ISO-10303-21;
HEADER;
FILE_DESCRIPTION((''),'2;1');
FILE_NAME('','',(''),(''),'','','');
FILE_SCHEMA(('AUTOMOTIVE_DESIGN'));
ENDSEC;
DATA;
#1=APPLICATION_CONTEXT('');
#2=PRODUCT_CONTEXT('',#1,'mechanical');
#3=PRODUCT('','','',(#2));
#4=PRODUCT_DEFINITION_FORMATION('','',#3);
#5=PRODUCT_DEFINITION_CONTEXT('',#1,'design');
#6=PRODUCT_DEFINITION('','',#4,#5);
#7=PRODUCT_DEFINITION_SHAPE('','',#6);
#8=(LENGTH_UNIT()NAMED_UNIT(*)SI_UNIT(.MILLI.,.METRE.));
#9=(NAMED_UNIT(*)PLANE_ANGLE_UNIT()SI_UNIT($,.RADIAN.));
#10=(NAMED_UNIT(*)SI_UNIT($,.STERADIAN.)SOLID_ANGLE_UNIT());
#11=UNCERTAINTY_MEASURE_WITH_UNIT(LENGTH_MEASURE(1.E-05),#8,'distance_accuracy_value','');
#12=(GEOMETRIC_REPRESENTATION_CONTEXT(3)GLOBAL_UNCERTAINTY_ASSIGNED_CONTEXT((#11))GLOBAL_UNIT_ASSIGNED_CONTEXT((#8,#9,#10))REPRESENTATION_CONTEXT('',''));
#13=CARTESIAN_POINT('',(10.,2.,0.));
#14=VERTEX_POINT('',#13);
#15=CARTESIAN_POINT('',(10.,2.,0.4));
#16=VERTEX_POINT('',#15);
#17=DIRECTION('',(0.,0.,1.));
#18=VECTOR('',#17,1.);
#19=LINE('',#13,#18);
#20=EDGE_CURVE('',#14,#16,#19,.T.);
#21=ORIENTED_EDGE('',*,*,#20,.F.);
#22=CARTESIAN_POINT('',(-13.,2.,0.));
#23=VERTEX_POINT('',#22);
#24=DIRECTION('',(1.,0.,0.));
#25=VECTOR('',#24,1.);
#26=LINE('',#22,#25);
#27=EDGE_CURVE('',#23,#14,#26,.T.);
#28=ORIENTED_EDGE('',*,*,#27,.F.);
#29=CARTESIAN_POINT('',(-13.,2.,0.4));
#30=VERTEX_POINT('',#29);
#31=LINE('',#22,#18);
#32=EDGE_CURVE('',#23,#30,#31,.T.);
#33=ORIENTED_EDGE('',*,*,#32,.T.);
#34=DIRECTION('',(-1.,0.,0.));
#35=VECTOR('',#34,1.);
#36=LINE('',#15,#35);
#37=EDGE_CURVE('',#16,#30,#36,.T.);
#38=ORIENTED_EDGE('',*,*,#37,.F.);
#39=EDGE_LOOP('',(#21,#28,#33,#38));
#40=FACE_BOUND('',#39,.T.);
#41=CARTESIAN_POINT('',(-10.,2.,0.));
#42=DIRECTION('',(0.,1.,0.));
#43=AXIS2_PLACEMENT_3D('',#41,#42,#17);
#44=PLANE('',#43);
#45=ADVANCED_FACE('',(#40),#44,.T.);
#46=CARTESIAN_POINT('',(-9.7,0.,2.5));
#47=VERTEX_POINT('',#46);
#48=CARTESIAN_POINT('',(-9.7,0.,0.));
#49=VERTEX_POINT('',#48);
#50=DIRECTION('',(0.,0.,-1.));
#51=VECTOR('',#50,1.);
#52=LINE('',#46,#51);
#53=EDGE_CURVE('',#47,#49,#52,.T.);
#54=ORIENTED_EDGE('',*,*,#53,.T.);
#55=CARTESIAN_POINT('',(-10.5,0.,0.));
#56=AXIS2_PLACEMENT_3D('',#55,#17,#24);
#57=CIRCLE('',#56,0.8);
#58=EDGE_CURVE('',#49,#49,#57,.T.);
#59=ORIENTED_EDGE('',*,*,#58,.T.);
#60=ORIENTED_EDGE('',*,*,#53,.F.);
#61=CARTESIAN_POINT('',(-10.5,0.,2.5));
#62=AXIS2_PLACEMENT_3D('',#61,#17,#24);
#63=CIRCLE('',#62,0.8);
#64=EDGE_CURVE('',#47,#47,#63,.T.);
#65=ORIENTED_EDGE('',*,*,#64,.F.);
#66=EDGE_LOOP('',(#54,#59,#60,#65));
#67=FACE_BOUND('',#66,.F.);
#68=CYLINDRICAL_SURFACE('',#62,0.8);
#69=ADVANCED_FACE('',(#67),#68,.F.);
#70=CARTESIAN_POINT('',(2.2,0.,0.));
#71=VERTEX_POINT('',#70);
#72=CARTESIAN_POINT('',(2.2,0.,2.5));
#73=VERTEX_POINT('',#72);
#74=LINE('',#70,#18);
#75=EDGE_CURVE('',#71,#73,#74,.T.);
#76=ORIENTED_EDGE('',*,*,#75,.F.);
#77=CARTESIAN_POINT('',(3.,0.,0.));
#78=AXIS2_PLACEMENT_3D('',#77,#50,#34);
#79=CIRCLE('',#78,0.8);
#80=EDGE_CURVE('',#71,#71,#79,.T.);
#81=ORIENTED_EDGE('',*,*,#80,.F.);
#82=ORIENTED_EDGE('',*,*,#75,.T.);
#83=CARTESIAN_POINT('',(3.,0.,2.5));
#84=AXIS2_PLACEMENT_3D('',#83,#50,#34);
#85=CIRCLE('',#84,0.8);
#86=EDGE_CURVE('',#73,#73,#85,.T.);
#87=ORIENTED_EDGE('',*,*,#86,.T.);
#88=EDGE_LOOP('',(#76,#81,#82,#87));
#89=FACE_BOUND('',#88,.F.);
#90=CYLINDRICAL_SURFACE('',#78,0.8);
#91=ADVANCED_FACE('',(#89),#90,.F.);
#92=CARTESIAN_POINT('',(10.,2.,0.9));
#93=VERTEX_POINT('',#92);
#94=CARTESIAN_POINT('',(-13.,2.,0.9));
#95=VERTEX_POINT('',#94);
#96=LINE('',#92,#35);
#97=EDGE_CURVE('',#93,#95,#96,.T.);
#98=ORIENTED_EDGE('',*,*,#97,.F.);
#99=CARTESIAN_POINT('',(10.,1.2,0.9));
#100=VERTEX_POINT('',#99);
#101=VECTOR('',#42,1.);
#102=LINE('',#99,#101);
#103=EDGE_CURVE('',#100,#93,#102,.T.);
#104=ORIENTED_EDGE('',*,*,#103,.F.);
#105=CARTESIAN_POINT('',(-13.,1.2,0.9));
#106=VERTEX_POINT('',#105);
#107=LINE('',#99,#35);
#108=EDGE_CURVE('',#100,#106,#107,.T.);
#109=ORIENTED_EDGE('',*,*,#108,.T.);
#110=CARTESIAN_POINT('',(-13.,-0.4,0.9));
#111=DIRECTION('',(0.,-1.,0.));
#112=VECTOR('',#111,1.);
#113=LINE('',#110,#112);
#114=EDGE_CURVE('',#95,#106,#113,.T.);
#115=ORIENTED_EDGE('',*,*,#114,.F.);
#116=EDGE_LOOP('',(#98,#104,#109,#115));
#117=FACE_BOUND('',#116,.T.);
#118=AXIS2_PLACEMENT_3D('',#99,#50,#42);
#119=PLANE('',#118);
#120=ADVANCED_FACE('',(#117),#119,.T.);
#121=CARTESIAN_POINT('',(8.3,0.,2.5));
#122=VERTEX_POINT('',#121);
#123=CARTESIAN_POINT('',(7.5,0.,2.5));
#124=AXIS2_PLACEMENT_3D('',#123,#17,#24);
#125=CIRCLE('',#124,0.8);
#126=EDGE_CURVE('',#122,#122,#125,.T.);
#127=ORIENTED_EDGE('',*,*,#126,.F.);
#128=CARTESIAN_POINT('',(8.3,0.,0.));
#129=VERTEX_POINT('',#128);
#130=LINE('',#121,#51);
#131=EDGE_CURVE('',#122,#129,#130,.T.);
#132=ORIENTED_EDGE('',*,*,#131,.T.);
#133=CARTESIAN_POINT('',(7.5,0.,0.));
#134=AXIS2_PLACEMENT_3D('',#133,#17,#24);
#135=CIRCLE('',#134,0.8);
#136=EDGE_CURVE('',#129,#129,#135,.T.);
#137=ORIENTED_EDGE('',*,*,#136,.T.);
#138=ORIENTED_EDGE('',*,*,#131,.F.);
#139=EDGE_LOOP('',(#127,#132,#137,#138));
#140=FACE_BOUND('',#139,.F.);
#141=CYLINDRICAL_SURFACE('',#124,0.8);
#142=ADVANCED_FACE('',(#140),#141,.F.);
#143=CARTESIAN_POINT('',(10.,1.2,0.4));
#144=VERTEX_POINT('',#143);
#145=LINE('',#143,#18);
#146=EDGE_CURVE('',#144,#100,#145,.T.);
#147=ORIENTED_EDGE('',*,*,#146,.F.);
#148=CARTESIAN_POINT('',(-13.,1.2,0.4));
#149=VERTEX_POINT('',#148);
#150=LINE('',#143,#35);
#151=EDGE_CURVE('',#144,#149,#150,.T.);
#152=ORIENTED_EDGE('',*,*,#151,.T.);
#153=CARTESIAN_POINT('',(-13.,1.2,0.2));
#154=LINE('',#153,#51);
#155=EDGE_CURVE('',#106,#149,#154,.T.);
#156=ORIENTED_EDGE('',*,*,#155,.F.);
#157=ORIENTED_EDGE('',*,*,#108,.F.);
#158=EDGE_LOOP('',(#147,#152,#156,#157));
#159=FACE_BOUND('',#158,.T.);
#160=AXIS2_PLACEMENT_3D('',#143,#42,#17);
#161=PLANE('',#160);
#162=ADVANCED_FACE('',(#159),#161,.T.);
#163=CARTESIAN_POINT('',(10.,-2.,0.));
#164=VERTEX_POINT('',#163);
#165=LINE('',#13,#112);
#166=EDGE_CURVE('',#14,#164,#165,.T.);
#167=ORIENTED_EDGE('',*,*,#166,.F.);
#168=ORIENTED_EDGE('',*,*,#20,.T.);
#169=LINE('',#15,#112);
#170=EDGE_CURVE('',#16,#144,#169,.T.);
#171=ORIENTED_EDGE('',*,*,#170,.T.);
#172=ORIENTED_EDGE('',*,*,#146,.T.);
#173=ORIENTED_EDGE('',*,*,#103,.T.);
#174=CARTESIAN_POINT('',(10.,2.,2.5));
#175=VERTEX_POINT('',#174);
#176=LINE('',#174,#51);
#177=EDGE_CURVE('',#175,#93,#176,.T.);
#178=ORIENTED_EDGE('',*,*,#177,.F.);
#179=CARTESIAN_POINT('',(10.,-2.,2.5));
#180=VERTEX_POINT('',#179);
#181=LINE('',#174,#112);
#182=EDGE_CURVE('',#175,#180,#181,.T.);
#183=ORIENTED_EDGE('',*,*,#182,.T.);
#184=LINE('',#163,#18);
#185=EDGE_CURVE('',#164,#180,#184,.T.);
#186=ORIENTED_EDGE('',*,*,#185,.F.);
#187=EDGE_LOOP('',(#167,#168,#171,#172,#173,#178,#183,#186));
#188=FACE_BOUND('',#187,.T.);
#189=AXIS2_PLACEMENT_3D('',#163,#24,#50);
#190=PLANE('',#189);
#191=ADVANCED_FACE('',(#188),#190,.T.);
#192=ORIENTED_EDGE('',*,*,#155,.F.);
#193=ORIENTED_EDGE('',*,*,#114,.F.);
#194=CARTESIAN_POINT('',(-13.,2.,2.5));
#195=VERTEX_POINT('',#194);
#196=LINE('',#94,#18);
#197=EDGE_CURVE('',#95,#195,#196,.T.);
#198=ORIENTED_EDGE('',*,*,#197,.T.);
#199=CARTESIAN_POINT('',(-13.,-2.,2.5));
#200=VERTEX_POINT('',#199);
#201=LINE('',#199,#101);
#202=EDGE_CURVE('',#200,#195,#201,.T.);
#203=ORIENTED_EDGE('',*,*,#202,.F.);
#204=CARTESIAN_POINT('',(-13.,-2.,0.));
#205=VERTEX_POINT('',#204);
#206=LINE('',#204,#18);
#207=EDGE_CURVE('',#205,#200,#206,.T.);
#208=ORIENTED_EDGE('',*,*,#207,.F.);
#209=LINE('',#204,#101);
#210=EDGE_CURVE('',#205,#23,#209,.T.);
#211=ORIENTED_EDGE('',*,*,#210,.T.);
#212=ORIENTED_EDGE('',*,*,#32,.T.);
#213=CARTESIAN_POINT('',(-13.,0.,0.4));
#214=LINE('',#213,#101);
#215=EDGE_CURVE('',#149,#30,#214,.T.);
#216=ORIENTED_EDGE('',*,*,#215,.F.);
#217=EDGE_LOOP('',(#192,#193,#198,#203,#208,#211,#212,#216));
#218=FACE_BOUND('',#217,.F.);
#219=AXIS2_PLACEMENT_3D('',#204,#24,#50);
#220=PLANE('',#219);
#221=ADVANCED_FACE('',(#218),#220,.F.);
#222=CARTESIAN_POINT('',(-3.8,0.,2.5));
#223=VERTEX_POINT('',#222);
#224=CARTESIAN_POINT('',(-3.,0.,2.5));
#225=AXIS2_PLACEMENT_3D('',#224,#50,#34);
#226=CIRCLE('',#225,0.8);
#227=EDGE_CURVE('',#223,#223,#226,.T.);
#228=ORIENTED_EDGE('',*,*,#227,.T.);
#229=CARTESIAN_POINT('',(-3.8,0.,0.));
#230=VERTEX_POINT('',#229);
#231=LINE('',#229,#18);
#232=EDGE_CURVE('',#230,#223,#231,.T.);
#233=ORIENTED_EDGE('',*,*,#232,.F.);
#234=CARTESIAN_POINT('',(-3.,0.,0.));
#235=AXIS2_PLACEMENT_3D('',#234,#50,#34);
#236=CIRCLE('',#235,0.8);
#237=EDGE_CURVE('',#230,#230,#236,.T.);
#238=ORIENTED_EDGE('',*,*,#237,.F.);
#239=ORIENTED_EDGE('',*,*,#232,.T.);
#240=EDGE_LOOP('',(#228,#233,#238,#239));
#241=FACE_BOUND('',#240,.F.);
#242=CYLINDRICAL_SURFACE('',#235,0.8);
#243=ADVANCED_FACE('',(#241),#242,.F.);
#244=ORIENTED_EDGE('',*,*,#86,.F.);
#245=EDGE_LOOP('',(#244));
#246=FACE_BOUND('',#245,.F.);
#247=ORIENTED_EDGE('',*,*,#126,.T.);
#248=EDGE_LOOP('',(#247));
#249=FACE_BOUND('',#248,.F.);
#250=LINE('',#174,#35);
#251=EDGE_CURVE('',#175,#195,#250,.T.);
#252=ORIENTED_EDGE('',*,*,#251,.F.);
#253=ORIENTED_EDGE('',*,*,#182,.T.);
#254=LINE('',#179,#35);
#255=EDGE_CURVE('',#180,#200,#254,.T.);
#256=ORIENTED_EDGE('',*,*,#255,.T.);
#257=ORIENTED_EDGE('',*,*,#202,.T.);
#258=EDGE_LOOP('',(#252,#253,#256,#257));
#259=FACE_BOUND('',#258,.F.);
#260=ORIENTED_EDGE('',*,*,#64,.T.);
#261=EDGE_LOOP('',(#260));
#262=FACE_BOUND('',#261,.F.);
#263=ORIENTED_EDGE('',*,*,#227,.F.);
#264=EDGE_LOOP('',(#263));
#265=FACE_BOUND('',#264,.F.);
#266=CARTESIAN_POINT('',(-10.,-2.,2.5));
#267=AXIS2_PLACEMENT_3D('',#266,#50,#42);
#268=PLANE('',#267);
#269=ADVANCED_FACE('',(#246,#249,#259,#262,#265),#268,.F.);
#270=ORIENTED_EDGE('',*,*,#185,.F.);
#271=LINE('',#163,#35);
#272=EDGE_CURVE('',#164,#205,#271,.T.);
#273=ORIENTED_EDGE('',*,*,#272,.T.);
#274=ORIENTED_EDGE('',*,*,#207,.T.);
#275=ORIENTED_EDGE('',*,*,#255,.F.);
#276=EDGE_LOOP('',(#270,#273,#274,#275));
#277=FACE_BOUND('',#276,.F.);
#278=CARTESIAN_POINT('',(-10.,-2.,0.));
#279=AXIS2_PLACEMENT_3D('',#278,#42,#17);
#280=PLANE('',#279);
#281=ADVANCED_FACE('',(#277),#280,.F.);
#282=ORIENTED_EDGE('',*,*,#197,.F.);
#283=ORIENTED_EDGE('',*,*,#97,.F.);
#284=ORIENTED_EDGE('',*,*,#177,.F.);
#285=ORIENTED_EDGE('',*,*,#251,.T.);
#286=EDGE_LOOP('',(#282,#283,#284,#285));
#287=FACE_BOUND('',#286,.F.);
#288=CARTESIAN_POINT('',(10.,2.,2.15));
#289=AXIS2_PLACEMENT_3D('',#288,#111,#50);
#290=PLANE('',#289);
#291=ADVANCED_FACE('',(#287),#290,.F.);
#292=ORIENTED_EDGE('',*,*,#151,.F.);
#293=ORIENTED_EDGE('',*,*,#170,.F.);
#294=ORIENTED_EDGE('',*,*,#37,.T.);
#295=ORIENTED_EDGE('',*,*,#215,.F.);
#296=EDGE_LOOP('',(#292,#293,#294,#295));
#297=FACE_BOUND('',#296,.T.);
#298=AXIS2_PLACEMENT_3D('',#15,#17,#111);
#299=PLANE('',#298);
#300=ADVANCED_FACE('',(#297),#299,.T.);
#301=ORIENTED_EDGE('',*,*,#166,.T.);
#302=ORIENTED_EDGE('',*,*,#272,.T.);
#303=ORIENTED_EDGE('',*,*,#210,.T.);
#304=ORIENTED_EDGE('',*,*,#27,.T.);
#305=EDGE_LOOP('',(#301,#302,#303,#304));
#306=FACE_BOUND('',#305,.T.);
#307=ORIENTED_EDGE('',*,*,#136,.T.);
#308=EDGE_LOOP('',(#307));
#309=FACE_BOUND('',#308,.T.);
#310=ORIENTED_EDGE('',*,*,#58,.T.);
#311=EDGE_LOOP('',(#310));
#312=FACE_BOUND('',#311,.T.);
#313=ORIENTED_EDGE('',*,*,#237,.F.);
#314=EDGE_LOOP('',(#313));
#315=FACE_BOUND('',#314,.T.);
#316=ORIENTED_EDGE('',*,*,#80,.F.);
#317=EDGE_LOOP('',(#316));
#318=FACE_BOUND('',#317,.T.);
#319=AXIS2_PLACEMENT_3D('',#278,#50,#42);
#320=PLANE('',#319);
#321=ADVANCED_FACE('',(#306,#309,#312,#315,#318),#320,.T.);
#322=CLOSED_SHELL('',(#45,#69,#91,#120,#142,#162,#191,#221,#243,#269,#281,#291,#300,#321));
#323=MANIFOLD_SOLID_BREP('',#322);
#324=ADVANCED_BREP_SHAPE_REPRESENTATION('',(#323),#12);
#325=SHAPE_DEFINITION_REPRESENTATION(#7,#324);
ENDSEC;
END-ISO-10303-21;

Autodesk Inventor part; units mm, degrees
ref_plane "YZ Plane" through (0, 0, 0) normal (1, 0, 0) x (0, 1, 0)
ref_plane "XZ Plane" through (0, 0, 0) normal (0, 1, 0) x (-1, 0, 0)
ref_plane "XY Plane" through (0, 0, 0) normal (0, 0, 1) x (1, 0, 0)
sketch "スケッチ1" plane through (0, 0, 0) normal (0, 0, 1) x (1, 0, 0)
  line L0 (10, -2) -> (-10, -2)
  line L1 (-10, -2) -> (-10, 2)
  line L2 (-10, 2) -> (10, 2)
  line L3 (10, 2) -> (10, -2)
  line L4 (10, -2) -> (-10, 2) construction
  line L5 (-10, -2) -> (10, 2) construction
  point P0 (0, 0)
  dimension "d0" = 20
  dimension "d1" = 4
extrude "押し出し1" add sketch "スケッチ1" along normal blind 2.5
sketch "スケッチ2" plane through (-10, 2, 0) normal (0, 1, 0) x (1, 0, 0)
  line L0 (0, -1.9) -> (20, -1.9)
  line L1 (20, 0) -> (20, -2.5) projected
  line L2 (20, -1.9) -> (20, -1.65)
  line L3 (20, -1.65) -> (0, -1.65)
  line L4 (0, -1.65) -> (0, -2.15)
  line L5 (0, -2.15) -> (20, -2.15)
  line L6 (20, -2.15) -> (20, -1.9)
  point P0 (10, 0)
  dimension "d4" = 0.25
  dimension "d5" = 0.5
  dimension "d12" = 20
  dimension "d13" = 20
extrude "押し出し2" cut sketch "スケッチ2" against normal blind 0.5
sketch "スケッチ3" plane through (0, 0, 0) normal (0, 0, -1) x (-1, 0, 0)
  circle A0 centre (3, 0) radius 0.8
  circle A1 centre (-3, 0) radius 0.8
  point P0 (0, 0)
  dimension "d8" = 1.6
  dimension "d9" = 1.6
extrude "押し出し3" cut sketch "スケッチ3" against normal blind 5
sketch "スケッチ5" plane through (-10, -2, 0) normal (-1, 0, 0) x (0, 0, 1)
  line L0 (0, 0) -> (2.5, 0) projected
  line L1 (0, 4) -> (1.65, 4) projected
  line L2 (0, 0) -> (0, 4)
  line L3 (1.65, 3.5) -> (1.65, 4) projected
  line L4 (0, 4) -> (1.65, 4)
  line L5 (1.65, 4) -> (1.65, 3.5)
  line L6 (2.15, 4) -> (2.15, 3.5) projected
  line L7 (1.65, 3.5) -> (2.15, 3.5)
  line L8 (2.15, 3.5) -> (2.15, 4)
  line L9 (2.5, 0) -> (2.5, 4) projected
  line L10 (2.15, 4) -> (2.5, 4)
  line L11 (2.5, 4) -> (2.5, 0)
  line L12 (2.5, 0) -> (0, 0)
  point P0 (0, 2)
extrude "押し出し5" add sketch "スケッチ5" along normal blind 3
sketch "スケッチ6" plane through (0, 0, 2.5) normal (0, 0, 1) x (1, 0, 0)
  circle A0 centre (7.5, 0) radius 0.8
  circle A1 centre (-10.5, 0) radius 0.8
  point P0 (0, 0)
  dimension "d20" = 1.6
  dimension "d21" = 1.6
extrude "押し出し6" cut sketch "スケッチ6" against normal blind 3
sketch "スケッチ7" plane through (10, -2, 0) normal (1, 0, 0) x (0, 0, -1)
  line L0 (-2.15, 3.5) -> (-2.15, 4) projected
  line L1 (-2.15, 4) -> (-2.15, 3.2)
  line L2 (-2.15, 3.2) -> (-1.65, 3.2)
  line L3 (-1.65, 4) -> (-1.65, 3.5) projected
  line L4 (-1.65, 3.2) -> (-1.65, 4)
  line L5 (-1.65, 4) -> (-2.15, 4)
  point P0 (0, 2)
  dimension "d24" = 0.8
extrude "押し出し7" cut sketch "スケッチ7" against normal blind 30
sketch "スケッチ8" plane through (10, -2, 0) normal (1, 0, 0) x (0, 0, -1)
  line L0 (-1.65, 4) -> (0, 4) projected
  line L1 (-0.4, 4) -> (-0.4, 3.2)
  line L2 (-2.15, 3.2) -> (-1.65, 3.2) projected
  line L3 (-0.4, 3.2) -> (-0.9, 3.2)
  line L4 (-0.9, 3.2) -> (-0.9, 4)
  line L5 (-0.9, 4) -> (-0.4, 4)
  point P0 (0, 2)
  dimension "d27" = 0.5
extrude "押し出し8" cut sketch "スケッチ8" against normal blind 30
sketch "スケッチ9" plane through (10, -2, 0) normal (1, 0, 0) x (0, 0, -1)
  line L0 (-2.15, 4) -> (-2.5, 4) projected
  line L1 (-1.65, 4) -> (-1.65, 3.2) projected
  line L2 (-2.15, 4) -> (-1.65, 4)
  line L3 (-1.65, 4) -> (-1.65, 3.2)
  line L4 (-1.65, 3.2) -> (-2.15, 3.2)
  line L5 (-2.15, 3.2) -> (-2.15, 4)
  point P0 (0, 2)
extrude "押し出し9" add sketch "スケッチ9" against normal blind 23
properties part number "cutter_stopper" material "ABS プラスチック"
